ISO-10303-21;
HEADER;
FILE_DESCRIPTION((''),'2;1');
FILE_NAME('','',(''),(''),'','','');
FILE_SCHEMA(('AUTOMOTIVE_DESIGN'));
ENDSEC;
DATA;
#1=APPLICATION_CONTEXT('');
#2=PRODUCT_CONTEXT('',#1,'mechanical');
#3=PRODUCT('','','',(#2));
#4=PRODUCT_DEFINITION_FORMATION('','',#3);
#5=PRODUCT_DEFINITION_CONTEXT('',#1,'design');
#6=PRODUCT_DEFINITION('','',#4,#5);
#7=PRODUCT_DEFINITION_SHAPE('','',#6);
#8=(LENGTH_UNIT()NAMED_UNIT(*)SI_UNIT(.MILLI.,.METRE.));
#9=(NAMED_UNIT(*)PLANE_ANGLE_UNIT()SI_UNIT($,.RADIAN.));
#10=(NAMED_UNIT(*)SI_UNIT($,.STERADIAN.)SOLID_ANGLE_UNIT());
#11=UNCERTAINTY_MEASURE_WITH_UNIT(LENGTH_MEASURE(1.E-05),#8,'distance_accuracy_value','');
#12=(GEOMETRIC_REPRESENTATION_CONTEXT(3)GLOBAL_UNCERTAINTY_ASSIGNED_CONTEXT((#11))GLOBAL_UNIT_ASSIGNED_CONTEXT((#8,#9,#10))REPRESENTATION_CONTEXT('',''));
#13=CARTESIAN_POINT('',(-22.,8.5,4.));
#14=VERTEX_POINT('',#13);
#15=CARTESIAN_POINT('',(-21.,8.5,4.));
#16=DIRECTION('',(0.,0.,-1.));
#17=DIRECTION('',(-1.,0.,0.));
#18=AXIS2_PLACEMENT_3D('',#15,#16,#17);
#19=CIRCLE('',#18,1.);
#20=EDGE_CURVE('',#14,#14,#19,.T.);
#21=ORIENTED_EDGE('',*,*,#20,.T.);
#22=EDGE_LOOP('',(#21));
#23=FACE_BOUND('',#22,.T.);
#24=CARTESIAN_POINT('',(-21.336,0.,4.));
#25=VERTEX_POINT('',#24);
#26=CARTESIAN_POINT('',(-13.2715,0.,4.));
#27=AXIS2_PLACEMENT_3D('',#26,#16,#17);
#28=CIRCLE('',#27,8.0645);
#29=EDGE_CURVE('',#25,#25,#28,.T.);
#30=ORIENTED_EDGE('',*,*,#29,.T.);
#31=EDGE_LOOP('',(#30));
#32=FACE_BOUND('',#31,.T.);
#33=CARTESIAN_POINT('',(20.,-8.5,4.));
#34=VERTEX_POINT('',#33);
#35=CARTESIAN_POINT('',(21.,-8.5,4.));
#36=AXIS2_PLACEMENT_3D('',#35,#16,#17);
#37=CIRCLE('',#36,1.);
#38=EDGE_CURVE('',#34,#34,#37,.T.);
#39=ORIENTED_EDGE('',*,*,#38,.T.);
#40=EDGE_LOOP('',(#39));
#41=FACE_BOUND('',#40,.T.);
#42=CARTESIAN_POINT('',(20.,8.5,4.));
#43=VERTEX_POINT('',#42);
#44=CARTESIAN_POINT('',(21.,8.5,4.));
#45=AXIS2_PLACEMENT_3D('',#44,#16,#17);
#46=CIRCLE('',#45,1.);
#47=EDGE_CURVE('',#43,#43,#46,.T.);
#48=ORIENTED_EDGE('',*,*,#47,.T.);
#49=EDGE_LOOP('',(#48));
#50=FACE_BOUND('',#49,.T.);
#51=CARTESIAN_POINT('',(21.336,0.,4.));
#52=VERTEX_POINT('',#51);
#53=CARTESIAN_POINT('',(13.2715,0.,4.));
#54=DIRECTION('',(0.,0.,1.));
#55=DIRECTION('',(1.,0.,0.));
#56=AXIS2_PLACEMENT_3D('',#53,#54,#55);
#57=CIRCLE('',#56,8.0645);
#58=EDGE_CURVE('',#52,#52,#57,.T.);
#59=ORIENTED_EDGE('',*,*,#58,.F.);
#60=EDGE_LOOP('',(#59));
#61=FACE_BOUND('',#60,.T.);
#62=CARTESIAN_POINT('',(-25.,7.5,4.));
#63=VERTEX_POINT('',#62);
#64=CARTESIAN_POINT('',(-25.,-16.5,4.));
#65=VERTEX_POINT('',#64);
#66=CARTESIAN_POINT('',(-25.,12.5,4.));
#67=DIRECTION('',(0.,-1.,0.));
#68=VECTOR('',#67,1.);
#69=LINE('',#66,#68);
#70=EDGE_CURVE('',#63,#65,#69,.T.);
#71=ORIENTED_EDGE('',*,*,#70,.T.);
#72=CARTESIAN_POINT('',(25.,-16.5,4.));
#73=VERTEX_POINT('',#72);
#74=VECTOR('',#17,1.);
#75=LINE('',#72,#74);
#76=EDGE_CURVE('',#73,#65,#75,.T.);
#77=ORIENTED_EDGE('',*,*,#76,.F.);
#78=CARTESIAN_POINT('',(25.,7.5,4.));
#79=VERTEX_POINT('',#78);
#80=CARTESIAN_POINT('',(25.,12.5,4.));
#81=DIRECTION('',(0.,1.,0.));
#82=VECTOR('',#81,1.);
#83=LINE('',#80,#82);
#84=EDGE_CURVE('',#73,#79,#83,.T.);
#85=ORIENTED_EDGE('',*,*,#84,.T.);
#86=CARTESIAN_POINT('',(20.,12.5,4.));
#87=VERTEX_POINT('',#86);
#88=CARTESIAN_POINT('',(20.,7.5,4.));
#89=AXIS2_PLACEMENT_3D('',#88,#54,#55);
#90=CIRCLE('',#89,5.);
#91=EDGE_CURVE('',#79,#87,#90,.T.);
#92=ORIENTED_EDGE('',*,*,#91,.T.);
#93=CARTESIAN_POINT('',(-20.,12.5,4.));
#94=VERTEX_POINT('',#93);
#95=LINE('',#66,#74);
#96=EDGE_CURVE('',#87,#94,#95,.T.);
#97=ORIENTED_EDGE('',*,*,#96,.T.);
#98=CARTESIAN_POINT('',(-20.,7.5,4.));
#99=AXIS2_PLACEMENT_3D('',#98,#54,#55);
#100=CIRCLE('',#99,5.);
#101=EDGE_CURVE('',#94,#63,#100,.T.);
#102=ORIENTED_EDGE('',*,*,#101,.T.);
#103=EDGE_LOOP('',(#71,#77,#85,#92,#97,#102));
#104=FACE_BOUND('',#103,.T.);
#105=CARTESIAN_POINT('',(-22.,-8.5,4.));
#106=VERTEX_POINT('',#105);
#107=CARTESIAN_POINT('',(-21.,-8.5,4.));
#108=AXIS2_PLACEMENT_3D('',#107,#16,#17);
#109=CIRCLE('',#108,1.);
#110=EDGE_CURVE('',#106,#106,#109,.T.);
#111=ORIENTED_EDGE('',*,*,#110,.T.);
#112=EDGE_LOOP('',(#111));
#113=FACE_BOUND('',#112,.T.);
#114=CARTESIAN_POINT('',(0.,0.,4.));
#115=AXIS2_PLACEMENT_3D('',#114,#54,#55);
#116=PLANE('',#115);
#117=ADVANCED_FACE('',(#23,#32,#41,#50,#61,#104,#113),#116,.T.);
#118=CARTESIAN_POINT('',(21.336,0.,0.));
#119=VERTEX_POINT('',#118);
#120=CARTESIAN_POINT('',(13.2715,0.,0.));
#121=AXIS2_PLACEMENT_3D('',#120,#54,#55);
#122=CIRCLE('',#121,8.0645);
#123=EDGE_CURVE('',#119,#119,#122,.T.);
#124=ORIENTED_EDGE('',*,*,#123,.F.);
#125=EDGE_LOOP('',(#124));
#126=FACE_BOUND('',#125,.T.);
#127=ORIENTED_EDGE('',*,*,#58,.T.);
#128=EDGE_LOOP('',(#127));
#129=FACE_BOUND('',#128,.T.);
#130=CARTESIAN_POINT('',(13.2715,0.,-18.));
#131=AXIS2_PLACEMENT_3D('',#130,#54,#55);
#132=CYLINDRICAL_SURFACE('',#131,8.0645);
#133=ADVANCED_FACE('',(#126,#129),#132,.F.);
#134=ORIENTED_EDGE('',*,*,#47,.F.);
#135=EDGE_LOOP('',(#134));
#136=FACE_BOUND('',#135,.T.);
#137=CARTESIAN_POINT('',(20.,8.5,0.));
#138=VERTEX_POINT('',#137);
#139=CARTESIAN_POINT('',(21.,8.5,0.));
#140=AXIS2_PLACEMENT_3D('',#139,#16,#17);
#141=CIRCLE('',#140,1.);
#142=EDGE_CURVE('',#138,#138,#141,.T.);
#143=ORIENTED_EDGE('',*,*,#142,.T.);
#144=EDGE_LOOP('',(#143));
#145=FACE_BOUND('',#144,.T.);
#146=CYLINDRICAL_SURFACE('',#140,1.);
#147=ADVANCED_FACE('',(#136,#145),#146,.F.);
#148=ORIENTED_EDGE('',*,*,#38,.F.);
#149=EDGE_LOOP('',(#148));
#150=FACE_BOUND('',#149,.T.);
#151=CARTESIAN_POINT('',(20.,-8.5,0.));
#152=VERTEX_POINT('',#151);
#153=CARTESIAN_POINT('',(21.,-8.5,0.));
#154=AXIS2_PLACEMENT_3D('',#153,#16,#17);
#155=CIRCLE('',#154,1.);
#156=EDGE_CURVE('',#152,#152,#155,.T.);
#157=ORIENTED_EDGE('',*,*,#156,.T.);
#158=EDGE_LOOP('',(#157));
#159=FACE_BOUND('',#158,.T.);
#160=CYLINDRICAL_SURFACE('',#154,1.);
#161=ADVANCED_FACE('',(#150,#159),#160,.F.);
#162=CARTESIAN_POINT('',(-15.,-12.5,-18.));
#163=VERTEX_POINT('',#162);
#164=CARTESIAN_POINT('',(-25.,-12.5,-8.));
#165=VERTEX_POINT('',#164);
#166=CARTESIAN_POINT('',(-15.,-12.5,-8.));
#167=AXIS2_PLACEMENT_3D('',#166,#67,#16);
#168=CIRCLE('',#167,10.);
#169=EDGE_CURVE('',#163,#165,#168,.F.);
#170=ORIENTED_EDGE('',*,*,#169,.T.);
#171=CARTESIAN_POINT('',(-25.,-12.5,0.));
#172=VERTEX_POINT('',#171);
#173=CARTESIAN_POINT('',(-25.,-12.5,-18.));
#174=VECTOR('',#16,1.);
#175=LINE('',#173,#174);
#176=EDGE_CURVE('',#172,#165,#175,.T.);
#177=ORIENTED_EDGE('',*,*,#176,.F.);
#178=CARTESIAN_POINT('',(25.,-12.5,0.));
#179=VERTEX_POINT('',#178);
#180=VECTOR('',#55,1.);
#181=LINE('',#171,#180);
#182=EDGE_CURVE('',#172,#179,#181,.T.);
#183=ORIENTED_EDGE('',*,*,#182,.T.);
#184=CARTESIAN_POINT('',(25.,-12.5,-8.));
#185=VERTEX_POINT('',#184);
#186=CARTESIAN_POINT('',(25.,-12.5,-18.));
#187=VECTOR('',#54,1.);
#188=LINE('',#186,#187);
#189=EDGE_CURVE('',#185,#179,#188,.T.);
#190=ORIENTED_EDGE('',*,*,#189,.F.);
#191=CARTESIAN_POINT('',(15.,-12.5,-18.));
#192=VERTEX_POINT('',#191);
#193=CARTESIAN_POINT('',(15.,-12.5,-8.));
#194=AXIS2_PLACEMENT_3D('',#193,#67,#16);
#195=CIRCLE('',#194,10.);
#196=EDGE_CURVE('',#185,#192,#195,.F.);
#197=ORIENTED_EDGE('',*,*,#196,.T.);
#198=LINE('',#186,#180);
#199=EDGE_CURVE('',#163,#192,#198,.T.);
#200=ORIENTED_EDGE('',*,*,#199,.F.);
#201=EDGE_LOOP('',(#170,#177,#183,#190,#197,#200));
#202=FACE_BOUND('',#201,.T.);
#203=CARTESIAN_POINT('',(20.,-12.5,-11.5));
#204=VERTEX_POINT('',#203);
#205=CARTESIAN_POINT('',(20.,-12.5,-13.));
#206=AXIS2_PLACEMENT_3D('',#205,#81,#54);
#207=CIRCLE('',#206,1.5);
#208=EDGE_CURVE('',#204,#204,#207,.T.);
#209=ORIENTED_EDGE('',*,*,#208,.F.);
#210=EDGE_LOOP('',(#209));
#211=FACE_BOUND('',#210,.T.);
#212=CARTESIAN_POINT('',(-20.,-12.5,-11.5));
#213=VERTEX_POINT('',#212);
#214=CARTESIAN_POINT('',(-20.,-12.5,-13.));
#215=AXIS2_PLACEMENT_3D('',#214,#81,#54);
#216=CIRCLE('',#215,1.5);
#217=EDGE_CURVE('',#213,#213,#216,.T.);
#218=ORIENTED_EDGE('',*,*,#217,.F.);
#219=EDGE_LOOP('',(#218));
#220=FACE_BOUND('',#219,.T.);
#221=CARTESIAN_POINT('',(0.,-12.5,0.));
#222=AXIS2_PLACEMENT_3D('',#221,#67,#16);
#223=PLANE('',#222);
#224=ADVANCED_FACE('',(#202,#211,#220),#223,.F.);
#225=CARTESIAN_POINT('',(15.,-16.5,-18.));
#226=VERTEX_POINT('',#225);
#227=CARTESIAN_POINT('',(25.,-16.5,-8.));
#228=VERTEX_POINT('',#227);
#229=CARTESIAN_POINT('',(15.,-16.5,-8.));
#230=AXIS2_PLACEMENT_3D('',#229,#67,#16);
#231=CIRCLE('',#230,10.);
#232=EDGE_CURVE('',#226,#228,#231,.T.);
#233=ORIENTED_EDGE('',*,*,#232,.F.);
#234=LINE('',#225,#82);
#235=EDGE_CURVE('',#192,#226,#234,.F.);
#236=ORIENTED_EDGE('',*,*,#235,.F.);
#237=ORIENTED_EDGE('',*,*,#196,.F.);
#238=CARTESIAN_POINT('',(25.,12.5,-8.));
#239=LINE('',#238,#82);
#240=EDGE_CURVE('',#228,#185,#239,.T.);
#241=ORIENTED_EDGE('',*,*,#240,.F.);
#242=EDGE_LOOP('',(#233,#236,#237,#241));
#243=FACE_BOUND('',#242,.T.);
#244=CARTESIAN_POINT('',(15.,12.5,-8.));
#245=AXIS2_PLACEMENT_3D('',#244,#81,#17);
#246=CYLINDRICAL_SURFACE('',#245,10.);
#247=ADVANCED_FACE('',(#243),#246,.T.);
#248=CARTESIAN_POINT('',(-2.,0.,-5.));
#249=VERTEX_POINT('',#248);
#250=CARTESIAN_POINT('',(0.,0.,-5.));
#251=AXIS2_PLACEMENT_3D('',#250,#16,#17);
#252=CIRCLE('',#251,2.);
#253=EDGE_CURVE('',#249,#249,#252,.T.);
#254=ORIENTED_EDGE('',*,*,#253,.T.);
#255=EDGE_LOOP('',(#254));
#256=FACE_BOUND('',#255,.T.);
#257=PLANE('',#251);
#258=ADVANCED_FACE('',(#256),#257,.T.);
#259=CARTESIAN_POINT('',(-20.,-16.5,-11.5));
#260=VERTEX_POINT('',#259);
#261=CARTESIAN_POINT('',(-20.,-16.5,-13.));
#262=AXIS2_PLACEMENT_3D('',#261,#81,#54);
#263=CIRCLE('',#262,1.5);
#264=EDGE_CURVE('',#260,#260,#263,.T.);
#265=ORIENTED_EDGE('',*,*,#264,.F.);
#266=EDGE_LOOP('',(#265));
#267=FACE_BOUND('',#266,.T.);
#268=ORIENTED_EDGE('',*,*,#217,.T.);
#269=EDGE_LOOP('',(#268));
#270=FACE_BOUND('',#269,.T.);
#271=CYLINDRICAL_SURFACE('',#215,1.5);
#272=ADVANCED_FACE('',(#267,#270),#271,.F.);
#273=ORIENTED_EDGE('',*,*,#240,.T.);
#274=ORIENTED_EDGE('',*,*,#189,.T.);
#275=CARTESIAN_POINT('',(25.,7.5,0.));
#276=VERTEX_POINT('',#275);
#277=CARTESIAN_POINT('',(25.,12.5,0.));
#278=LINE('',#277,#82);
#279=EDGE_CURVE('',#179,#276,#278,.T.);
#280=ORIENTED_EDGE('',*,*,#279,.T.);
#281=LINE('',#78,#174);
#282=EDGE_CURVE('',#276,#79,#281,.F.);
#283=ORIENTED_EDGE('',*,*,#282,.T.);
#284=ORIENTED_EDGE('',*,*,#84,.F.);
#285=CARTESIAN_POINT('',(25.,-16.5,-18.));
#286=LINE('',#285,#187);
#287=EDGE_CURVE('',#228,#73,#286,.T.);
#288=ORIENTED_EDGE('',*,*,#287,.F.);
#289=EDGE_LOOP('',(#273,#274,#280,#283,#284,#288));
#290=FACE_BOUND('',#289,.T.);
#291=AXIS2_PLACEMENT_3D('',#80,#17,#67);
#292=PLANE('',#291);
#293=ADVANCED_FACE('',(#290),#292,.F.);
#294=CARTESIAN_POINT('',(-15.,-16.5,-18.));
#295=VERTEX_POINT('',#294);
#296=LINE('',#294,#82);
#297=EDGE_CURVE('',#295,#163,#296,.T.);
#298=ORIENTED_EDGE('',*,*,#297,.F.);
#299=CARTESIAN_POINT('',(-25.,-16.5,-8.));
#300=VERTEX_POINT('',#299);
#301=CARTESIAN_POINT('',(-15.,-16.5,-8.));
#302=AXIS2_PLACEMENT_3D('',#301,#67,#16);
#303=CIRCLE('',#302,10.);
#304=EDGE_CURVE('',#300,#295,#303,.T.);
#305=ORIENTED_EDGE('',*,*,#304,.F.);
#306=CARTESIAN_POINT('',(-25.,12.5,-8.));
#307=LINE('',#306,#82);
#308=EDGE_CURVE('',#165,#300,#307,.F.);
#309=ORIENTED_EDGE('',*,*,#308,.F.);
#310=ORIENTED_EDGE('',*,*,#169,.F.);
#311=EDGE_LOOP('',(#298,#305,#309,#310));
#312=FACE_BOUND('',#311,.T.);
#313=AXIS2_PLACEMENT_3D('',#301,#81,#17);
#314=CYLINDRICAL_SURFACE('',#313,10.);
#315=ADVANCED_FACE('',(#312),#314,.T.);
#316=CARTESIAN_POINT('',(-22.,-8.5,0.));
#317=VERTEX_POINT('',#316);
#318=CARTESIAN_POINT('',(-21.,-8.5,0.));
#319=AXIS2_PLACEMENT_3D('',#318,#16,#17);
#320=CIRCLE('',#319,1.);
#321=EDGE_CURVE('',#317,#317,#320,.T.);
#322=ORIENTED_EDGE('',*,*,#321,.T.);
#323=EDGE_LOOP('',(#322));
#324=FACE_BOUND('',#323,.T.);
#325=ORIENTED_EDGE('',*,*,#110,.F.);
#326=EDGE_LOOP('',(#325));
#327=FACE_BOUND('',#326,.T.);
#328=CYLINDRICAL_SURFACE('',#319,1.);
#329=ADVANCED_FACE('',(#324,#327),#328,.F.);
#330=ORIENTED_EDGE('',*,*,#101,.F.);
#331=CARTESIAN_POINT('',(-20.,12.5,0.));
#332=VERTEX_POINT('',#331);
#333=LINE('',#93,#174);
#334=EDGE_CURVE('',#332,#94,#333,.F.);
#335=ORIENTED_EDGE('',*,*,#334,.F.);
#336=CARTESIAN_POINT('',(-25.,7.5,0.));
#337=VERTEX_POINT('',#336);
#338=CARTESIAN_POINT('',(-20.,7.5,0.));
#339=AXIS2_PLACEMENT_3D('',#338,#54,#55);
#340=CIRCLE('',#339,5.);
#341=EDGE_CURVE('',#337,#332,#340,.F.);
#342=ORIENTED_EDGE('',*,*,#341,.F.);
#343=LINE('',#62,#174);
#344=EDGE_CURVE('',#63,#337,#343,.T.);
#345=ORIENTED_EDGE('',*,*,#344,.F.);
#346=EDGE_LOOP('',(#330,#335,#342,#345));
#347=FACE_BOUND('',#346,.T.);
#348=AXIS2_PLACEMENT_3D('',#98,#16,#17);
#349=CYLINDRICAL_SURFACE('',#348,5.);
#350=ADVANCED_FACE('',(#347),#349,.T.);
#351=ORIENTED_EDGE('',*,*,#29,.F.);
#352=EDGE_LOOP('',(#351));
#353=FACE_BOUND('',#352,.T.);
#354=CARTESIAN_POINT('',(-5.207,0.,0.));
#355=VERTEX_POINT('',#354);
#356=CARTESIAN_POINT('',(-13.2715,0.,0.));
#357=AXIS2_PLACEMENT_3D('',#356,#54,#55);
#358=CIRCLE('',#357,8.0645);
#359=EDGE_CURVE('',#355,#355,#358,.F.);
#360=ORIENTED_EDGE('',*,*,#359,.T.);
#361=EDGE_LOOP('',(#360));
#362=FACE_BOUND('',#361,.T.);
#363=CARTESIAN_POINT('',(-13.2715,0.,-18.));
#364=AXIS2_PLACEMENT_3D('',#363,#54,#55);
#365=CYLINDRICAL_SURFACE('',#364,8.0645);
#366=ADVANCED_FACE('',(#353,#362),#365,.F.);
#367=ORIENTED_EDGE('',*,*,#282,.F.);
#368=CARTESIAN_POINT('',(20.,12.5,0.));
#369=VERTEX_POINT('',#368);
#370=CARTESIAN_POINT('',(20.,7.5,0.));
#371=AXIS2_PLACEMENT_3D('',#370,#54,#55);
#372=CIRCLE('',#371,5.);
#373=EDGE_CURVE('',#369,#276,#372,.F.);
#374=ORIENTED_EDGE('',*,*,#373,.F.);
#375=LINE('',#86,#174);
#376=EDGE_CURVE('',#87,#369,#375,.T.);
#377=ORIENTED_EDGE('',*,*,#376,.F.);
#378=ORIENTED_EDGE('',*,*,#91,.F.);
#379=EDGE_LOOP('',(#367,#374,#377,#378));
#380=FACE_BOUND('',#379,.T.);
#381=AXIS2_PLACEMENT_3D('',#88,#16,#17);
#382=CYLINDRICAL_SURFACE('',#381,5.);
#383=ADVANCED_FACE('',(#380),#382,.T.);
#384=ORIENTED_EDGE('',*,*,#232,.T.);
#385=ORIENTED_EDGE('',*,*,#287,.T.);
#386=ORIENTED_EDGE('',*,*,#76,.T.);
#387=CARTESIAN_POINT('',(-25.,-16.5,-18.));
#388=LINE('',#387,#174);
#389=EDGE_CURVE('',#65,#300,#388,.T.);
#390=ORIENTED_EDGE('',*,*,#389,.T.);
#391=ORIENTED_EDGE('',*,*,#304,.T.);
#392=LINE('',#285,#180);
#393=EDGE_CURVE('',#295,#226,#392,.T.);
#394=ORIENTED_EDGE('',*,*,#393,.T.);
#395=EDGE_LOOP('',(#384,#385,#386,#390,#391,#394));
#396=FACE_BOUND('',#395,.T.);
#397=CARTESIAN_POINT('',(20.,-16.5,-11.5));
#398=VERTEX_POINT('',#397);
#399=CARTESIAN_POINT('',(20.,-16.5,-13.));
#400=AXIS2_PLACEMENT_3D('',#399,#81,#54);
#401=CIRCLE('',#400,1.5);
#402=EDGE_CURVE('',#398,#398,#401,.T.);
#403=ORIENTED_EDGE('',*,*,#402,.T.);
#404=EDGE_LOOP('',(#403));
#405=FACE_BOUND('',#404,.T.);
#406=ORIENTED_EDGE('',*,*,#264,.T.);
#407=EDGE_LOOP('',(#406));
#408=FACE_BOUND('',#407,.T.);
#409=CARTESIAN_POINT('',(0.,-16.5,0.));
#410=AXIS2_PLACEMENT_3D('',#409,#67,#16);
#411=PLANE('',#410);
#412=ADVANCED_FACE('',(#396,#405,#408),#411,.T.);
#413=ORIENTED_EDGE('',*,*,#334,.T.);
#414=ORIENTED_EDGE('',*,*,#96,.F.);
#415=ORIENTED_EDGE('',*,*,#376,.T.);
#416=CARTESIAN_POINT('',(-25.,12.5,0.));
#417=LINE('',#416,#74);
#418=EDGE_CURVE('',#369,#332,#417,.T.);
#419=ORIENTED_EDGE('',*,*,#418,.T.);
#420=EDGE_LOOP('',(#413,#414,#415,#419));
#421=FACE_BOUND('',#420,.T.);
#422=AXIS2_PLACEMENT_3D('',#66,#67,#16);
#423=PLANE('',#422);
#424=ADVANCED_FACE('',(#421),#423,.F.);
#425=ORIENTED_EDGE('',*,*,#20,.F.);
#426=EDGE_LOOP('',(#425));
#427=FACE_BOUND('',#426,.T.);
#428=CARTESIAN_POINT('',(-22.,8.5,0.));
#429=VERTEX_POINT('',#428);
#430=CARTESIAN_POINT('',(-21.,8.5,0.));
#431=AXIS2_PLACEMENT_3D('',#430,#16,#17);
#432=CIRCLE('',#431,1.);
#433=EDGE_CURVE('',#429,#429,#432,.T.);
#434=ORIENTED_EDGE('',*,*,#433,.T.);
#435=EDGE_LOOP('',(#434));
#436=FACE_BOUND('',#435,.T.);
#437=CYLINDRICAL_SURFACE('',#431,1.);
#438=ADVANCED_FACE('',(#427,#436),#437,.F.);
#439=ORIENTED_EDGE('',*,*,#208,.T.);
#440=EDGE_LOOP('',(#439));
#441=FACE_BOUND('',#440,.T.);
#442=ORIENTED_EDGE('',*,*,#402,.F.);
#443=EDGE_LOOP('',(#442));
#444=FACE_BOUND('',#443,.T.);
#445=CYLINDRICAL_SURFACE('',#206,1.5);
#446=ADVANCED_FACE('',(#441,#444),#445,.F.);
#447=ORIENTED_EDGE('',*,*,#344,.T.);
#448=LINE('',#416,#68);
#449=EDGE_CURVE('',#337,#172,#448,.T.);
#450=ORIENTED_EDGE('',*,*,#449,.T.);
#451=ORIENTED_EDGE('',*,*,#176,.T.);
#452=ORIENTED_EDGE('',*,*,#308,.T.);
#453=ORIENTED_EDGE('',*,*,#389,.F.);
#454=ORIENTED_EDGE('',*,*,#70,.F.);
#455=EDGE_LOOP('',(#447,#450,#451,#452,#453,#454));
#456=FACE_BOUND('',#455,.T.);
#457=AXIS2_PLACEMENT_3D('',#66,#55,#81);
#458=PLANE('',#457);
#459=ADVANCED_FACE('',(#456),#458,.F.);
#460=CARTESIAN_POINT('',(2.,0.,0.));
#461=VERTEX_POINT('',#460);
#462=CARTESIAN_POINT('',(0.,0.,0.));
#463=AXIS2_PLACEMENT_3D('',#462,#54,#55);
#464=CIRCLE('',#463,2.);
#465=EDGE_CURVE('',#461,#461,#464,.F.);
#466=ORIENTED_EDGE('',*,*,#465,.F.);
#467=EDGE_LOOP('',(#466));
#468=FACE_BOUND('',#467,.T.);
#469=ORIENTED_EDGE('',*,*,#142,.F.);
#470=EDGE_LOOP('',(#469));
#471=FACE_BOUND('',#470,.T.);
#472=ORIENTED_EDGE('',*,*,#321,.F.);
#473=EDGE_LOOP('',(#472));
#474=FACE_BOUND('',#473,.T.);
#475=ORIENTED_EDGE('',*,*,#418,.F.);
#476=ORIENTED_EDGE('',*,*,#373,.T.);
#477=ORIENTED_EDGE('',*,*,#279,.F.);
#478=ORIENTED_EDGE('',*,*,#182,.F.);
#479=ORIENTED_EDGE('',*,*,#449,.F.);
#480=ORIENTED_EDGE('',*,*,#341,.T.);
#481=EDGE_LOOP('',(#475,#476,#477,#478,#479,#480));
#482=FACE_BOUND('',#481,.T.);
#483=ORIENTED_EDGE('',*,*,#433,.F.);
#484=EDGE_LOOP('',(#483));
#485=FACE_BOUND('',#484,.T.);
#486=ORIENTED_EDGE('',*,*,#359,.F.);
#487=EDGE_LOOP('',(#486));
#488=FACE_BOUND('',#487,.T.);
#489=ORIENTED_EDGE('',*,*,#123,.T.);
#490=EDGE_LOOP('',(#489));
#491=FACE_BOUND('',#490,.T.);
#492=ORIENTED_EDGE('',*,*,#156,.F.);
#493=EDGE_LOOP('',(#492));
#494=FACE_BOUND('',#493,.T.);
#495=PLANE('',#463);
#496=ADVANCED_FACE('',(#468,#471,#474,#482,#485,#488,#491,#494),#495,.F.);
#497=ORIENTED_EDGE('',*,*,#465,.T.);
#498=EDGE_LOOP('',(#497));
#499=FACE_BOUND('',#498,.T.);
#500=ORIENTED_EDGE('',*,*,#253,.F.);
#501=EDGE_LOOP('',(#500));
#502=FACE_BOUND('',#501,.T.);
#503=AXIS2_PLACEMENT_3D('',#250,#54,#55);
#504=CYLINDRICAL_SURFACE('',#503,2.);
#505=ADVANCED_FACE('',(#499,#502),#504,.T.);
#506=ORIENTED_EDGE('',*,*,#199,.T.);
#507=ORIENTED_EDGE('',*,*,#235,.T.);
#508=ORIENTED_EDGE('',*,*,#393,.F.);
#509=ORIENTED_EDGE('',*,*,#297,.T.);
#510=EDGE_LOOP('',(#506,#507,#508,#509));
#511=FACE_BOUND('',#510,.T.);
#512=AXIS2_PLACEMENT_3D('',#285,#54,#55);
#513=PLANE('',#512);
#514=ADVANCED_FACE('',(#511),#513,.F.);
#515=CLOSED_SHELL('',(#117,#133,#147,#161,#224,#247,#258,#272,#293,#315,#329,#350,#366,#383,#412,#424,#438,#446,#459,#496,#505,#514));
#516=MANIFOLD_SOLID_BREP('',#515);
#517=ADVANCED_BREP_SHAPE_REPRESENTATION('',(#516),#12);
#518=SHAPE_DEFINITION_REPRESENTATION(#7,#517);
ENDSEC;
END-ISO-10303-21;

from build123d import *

# Parameters (mm, degrees)
SKETCH1_W             = 50
SKETCH1_H             = 25
BOSS_EXTRUDE1_DEPTH   = 4
SKETCH2_W             = 50
SKETCH2_H             = 22
BOSS_EXTRUDE2_DEPTH   = 4
SKETCH3_R             = 8.0645
CUT_EXTRUDE1_DEPTH    = 23
SKETCH4_R             = 2
BOSS_EXTRUDE4_DEPTH   = 5
F_3_0MM_DOWEL_HOLE1_D = 3
F_2_0MM_DOWEL_HOLE1_D = 2
MIRROR4_COPY_1_D      = 2
FILLET1_R             = 10
FILLET2_R             = 5


with BuildPart() as part:
    # Sketch1 → Boss-Extrude1 (new body)
    with BuildSketch(Plane.XY):
        Rectangle(SKETCH1_W, SKETCH1_H)
    extrude(amount=BOSS_EXTRUDE1_DEPTH)

    # Sketch2 → Boss-Extrude2 (add)
    with BuildSketch(Plane.XZ.offset(12.5)):
        with Locations((0, -7)):
            Rectangle(SKETCH2_W, SKETCH2_H)
    extrude(amount=BOSS_EXTRUDE2_DEPTH)

    # Sketch3 → Cut-Extrude1 (cut, through all)
    with BuildSketch(Plane.XY.offset(4)):
        with Locations((13.2715, 0)):
            Circle(SKETCH3_R)
    cut_extrude1 = extrude(amount=-CUT_EXTRUDE1_DEPTH, mode=Mode.SUBTRACT)

    # Mirror1: Cut-Extrude1 across plane
    add(cut_extrude1.mirror(Plane(origin=(0, 0, 0), x_dir=(0, 0, 1), z_dir=(1, 0, 0))), mode=Mode.SUBTRACT)

    # Sketch4 → Boss-Extrude4 (add)
    with BuildSketch(Plane(origin=(0, 0, 0), x_dir=(-1, 0, 0), z_dir=(0, 0, -1))):
        Circle(SKETCH4_R)
    extrude(amount=BOSS_EXTRUDE4_DEPTH)

    # Ø3.0mm Dowel Hole1 (through all)
    with Locations(Plane(origin=(0, -12.5, 0), x_dir=(1, 0, 0), z_dir=(0, 1, 0))):
        with Locations((-20, 13)):
            f_3_0mm_dowel_hole1 = Hole(F_3_0MM_DOWEL_HOLE1_D / 2)

    # Mirror2: Ø3.0mm Dowel Hole1 across plane
    add(f_3_0mm_dowel_hole1.mirror(Plane(origin=(0, 0, 0), x_dir=(0, 0, 1), z_dir=(1, 0, 0))), mode=Mode.SUBTRACT)

    # Ø2.0mm Dowel Hole1 (through all)
    with Locations(Plane(origin=(0, 0, 0), x_dir=(-1, 0, 0), z_dir=(0, 0, -1))):
        with Locations((-21, 8.5)):
            f_2_0mm_dowel_hole1 = Hole(F_2_0MM_DOWEL_HOLE1_D / 2)

    # Mirror3: Ø2.0mm Dowel Hole1 across plane
    add(f_2_0mm_dowel_hole1.mirror(Plane.ZX), mode=Mode.SUBTRACT)

    # Mirror4: Ø2.0mm Dowel Hole1 across plane
    add(f_2_0mm_dowel_hole1.mirror(Plane(origin=(0, 0, 0), x_dir=(0, 0, 1), z_dir=(1, 0, 0))), mode=Mode.SUBTRACT)

    # Mirror4 copy 1 (through all)
    with Locations(Plane(origin=(0, 0, 0), x_dir=(1, 0, 0), z_dir=(0, 0, -1))):
        with Locations((-21, 8.5)):
            Hole(MIRROR4_COPY_1_D / 2)

    # Fillet1
    fillet1_edges = [part.edges().sort_by_distance(p)[0] for p in [
        (-25, -14.5, -18),
        (25, -14.5, -18),
    ]]
    fillet(fillet1_edges, radius=FILLET1_R)

    # Fillet2
    fillet2_edges = [part.edges().sort_by_distance(p)[0] for p in [
        (-25, 12.5, 2),
        (25, 12.5, 2),
    ]]
    fillet(fillet2_edges, radius=FILLET2_R)


solid = part.part
